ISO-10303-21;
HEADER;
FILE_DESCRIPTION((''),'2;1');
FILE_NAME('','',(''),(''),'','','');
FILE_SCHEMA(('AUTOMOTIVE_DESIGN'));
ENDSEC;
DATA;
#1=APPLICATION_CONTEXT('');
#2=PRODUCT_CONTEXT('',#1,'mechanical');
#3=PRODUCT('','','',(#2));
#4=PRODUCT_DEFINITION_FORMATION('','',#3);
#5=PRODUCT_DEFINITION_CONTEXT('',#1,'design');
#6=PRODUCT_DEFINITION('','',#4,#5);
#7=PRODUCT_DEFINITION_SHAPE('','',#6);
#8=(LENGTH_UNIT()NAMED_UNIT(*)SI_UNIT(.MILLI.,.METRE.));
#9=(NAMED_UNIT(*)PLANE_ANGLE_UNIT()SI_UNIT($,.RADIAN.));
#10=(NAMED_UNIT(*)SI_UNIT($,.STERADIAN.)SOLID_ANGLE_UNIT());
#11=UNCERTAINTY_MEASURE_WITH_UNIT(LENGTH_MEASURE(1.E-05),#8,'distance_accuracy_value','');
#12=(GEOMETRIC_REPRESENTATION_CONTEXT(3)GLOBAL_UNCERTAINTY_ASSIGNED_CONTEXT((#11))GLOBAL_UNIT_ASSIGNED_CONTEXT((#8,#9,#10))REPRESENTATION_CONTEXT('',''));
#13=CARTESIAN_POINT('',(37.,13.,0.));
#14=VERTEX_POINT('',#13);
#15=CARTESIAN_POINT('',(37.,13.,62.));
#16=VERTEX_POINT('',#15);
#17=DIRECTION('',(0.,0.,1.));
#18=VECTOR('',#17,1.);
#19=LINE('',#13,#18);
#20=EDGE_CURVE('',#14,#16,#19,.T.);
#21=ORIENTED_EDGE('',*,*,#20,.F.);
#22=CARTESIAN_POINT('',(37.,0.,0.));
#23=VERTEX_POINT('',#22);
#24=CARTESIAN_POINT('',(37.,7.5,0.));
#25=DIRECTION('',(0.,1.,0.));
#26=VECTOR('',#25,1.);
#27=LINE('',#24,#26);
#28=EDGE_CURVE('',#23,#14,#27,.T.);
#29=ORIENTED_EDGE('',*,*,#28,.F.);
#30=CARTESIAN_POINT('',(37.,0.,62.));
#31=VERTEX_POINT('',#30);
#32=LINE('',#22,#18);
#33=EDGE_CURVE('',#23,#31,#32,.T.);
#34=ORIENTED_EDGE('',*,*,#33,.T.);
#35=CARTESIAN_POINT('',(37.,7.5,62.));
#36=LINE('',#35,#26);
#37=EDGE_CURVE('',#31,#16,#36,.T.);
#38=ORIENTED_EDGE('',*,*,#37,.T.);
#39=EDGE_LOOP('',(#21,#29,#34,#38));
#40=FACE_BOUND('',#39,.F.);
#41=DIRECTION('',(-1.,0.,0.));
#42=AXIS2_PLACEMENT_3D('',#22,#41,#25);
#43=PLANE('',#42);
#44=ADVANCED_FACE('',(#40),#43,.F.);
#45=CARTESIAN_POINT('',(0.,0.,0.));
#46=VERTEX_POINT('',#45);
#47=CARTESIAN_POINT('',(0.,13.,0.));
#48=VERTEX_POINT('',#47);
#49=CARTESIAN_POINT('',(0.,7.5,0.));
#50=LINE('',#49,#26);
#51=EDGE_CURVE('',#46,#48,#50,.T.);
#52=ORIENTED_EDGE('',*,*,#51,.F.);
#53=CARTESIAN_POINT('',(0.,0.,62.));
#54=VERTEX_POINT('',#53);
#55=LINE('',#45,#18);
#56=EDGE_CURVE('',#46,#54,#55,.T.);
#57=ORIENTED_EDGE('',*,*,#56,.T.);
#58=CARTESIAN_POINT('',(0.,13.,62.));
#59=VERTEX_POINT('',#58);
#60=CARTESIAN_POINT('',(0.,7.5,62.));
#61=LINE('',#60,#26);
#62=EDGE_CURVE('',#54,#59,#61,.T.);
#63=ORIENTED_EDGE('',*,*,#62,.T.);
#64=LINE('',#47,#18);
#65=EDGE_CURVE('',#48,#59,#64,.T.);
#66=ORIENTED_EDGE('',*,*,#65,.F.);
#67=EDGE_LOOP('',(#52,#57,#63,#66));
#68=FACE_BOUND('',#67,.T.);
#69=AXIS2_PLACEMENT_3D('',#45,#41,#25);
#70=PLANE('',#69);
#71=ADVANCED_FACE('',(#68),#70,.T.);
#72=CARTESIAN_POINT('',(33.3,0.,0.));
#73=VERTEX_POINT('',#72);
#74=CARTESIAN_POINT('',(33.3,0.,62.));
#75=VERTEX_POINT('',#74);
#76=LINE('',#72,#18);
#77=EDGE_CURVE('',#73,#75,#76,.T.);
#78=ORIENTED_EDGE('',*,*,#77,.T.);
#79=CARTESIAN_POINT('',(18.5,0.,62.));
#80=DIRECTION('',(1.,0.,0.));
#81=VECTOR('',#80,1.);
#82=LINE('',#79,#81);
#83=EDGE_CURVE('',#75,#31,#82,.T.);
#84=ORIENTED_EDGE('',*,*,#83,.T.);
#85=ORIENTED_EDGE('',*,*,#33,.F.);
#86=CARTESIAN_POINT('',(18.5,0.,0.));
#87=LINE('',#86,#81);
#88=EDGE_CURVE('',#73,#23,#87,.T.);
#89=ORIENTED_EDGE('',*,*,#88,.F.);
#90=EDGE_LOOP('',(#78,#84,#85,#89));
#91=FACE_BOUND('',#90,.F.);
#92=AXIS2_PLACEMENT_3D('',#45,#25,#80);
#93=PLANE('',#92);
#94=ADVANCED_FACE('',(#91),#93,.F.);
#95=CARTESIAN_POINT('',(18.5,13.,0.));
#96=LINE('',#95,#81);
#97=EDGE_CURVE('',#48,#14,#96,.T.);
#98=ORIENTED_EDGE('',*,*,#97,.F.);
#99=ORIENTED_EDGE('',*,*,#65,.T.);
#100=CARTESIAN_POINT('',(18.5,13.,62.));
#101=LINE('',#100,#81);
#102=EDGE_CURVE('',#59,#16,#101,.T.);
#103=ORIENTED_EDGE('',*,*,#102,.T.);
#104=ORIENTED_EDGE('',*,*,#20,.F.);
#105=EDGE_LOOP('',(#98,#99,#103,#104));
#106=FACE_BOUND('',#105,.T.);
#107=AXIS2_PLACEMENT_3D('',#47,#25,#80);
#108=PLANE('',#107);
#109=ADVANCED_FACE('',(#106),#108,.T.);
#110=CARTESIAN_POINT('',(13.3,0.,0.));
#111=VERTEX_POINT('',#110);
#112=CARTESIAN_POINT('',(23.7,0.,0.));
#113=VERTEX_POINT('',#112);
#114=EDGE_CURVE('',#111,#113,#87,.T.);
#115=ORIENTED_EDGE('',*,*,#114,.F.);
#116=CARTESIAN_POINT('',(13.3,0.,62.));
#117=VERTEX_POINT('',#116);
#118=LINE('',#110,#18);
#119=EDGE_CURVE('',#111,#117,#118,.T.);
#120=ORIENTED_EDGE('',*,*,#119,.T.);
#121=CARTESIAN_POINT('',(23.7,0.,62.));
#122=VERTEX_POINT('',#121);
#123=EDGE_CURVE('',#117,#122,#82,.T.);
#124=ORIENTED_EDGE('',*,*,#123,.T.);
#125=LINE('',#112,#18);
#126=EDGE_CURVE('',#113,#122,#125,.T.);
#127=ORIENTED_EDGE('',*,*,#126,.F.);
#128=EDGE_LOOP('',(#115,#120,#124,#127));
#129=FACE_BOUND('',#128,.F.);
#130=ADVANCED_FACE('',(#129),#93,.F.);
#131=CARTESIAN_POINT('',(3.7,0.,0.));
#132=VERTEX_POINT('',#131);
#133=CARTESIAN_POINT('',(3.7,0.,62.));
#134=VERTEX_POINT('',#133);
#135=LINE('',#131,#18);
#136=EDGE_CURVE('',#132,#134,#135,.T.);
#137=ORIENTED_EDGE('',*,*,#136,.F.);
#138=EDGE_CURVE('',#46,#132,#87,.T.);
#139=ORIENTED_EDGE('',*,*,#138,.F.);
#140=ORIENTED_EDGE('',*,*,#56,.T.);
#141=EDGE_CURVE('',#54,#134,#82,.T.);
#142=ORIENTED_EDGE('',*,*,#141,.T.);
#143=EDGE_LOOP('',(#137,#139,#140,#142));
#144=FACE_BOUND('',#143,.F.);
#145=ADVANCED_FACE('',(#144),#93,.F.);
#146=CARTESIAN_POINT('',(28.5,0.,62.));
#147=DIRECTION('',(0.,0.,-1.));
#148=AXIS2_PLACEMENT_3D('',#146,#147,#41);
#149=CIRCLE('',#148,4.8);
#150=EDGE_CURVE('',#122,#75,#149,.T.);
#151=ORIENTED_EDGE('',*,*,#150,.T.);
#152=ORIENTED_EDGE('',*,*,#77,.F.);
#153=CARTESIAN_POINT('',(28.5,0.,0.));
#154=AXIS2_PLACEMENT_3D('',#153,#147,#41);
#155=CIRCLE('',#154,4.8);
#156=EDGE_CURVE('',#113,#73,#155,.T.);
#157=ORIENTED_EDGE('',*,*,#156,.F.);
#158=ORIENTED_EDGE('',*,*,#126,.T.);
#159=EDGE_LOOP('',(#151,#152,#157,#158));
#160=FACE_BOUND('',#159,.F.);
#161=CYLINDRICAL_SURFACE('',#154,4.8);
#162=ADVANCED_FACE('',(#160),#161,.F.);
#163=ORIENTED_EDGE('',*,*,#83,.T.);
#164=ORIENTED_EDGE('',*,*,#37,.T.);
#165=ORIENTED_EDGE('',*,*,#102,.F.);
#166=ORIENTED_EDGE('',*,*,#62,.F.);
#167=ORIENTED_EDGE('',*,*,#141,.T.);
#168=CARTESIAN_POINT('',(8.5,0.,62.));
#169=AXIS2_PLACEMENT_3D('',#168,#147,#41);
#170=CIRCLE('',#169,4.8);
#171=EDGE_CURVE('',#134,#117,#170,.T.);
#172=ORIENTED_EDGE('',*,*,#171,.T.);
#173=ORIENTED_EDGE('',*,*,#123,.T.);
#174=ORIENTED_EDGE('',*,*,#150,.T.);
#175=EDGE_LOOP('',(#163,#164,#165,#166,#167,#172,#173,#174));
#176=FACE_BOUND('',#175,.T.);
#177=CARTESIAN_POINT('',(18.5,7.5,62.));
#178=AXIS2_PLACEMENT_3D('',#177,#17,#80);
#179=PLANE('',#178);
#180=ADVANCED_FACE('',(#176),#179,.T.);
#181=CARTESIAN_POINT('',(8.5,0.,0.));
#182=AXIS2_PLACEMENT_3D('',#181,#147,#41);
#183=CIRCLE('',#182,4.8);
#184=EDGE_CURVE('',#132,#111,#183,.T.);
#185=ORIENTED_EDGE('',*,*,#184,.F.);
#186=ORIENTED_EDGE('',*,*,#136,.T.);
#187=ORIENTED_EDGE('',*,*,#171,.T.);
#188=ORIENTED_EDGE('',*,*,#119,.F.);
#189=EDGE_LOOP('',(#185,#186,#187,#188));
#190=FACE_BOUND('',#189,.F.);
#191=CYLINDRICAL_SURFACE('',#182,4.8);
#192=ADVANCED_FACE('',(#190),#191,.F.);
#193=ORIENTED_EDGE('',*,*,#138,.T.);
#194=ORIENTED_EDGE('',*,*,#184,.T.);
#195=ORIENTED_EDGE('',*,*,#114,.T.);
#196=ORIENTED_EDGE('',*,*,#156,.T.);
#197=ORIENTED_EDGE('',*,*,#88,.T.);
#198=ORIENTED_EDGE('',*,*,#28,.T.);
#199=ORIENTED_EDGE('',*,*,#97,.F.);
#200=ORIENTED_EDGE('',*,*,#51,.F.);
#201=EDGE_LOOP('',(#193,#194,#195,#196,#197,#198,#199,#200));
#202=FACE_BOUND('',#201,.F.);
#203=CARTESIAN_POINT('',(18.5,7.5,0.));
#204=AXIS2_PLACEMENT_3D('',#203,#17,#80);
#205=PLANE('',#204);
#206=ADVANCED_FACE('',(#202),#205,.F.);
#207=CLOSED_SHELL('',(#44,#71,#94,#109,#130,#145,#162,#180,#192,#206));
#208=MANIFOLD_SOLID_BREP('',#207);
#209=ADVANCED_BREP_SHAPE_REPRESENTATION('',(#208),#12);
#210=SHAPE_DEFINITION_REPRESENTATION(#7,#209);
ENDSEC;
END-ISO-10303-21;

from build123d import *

# Parameters (mm, degrees)
F0_W     = 37
F0_H     = 15
F1_DEPTH = 62
F3_DEPTH = 62.001
F4_DEPTH = 2


with BuildPart() as f1:
    # F0 (on Top) → F1 (new body)
    with BuildSketch(Plane.XY):
        with Locations((18.5, 7.5)):
            Rectangle(F0_W, F0_H)
    extrude(amount=F1_DEPTH)

    # F2 (on face) → F3 (cut, through all)
    with BuildSketch(Plane(origin=(0, 0, 0), x_dir=(1, 0, 0), z_dir=(0, 0, -1))):
        with BuildLine():
            Line((13.3, 0), (3.7, 0))
            ThreePointArc((3.7, 0), (8.5, -4.8), (13.3, 0))
        make_face()
        with BuildLine():
            Line((33.3, 0), (23.7, 0))
            ThreePointArc((23.7, 0), (28.5, -4.8), (33.3, 0))
        make_face()
    extrude(amount=-F3_DEPTH, mode=Mode.SUBTRACT)

    # F4 (cut): a face of the model
    f4_faces = [f1.faces().sort_by_distance(p)[0] for p in [
        (18.5, 15, 31),
    ]]
    extrude(f4_faces, amount=-F4_DEPTH, mode=Mode.SUBTRACT)


solid = f1.part
